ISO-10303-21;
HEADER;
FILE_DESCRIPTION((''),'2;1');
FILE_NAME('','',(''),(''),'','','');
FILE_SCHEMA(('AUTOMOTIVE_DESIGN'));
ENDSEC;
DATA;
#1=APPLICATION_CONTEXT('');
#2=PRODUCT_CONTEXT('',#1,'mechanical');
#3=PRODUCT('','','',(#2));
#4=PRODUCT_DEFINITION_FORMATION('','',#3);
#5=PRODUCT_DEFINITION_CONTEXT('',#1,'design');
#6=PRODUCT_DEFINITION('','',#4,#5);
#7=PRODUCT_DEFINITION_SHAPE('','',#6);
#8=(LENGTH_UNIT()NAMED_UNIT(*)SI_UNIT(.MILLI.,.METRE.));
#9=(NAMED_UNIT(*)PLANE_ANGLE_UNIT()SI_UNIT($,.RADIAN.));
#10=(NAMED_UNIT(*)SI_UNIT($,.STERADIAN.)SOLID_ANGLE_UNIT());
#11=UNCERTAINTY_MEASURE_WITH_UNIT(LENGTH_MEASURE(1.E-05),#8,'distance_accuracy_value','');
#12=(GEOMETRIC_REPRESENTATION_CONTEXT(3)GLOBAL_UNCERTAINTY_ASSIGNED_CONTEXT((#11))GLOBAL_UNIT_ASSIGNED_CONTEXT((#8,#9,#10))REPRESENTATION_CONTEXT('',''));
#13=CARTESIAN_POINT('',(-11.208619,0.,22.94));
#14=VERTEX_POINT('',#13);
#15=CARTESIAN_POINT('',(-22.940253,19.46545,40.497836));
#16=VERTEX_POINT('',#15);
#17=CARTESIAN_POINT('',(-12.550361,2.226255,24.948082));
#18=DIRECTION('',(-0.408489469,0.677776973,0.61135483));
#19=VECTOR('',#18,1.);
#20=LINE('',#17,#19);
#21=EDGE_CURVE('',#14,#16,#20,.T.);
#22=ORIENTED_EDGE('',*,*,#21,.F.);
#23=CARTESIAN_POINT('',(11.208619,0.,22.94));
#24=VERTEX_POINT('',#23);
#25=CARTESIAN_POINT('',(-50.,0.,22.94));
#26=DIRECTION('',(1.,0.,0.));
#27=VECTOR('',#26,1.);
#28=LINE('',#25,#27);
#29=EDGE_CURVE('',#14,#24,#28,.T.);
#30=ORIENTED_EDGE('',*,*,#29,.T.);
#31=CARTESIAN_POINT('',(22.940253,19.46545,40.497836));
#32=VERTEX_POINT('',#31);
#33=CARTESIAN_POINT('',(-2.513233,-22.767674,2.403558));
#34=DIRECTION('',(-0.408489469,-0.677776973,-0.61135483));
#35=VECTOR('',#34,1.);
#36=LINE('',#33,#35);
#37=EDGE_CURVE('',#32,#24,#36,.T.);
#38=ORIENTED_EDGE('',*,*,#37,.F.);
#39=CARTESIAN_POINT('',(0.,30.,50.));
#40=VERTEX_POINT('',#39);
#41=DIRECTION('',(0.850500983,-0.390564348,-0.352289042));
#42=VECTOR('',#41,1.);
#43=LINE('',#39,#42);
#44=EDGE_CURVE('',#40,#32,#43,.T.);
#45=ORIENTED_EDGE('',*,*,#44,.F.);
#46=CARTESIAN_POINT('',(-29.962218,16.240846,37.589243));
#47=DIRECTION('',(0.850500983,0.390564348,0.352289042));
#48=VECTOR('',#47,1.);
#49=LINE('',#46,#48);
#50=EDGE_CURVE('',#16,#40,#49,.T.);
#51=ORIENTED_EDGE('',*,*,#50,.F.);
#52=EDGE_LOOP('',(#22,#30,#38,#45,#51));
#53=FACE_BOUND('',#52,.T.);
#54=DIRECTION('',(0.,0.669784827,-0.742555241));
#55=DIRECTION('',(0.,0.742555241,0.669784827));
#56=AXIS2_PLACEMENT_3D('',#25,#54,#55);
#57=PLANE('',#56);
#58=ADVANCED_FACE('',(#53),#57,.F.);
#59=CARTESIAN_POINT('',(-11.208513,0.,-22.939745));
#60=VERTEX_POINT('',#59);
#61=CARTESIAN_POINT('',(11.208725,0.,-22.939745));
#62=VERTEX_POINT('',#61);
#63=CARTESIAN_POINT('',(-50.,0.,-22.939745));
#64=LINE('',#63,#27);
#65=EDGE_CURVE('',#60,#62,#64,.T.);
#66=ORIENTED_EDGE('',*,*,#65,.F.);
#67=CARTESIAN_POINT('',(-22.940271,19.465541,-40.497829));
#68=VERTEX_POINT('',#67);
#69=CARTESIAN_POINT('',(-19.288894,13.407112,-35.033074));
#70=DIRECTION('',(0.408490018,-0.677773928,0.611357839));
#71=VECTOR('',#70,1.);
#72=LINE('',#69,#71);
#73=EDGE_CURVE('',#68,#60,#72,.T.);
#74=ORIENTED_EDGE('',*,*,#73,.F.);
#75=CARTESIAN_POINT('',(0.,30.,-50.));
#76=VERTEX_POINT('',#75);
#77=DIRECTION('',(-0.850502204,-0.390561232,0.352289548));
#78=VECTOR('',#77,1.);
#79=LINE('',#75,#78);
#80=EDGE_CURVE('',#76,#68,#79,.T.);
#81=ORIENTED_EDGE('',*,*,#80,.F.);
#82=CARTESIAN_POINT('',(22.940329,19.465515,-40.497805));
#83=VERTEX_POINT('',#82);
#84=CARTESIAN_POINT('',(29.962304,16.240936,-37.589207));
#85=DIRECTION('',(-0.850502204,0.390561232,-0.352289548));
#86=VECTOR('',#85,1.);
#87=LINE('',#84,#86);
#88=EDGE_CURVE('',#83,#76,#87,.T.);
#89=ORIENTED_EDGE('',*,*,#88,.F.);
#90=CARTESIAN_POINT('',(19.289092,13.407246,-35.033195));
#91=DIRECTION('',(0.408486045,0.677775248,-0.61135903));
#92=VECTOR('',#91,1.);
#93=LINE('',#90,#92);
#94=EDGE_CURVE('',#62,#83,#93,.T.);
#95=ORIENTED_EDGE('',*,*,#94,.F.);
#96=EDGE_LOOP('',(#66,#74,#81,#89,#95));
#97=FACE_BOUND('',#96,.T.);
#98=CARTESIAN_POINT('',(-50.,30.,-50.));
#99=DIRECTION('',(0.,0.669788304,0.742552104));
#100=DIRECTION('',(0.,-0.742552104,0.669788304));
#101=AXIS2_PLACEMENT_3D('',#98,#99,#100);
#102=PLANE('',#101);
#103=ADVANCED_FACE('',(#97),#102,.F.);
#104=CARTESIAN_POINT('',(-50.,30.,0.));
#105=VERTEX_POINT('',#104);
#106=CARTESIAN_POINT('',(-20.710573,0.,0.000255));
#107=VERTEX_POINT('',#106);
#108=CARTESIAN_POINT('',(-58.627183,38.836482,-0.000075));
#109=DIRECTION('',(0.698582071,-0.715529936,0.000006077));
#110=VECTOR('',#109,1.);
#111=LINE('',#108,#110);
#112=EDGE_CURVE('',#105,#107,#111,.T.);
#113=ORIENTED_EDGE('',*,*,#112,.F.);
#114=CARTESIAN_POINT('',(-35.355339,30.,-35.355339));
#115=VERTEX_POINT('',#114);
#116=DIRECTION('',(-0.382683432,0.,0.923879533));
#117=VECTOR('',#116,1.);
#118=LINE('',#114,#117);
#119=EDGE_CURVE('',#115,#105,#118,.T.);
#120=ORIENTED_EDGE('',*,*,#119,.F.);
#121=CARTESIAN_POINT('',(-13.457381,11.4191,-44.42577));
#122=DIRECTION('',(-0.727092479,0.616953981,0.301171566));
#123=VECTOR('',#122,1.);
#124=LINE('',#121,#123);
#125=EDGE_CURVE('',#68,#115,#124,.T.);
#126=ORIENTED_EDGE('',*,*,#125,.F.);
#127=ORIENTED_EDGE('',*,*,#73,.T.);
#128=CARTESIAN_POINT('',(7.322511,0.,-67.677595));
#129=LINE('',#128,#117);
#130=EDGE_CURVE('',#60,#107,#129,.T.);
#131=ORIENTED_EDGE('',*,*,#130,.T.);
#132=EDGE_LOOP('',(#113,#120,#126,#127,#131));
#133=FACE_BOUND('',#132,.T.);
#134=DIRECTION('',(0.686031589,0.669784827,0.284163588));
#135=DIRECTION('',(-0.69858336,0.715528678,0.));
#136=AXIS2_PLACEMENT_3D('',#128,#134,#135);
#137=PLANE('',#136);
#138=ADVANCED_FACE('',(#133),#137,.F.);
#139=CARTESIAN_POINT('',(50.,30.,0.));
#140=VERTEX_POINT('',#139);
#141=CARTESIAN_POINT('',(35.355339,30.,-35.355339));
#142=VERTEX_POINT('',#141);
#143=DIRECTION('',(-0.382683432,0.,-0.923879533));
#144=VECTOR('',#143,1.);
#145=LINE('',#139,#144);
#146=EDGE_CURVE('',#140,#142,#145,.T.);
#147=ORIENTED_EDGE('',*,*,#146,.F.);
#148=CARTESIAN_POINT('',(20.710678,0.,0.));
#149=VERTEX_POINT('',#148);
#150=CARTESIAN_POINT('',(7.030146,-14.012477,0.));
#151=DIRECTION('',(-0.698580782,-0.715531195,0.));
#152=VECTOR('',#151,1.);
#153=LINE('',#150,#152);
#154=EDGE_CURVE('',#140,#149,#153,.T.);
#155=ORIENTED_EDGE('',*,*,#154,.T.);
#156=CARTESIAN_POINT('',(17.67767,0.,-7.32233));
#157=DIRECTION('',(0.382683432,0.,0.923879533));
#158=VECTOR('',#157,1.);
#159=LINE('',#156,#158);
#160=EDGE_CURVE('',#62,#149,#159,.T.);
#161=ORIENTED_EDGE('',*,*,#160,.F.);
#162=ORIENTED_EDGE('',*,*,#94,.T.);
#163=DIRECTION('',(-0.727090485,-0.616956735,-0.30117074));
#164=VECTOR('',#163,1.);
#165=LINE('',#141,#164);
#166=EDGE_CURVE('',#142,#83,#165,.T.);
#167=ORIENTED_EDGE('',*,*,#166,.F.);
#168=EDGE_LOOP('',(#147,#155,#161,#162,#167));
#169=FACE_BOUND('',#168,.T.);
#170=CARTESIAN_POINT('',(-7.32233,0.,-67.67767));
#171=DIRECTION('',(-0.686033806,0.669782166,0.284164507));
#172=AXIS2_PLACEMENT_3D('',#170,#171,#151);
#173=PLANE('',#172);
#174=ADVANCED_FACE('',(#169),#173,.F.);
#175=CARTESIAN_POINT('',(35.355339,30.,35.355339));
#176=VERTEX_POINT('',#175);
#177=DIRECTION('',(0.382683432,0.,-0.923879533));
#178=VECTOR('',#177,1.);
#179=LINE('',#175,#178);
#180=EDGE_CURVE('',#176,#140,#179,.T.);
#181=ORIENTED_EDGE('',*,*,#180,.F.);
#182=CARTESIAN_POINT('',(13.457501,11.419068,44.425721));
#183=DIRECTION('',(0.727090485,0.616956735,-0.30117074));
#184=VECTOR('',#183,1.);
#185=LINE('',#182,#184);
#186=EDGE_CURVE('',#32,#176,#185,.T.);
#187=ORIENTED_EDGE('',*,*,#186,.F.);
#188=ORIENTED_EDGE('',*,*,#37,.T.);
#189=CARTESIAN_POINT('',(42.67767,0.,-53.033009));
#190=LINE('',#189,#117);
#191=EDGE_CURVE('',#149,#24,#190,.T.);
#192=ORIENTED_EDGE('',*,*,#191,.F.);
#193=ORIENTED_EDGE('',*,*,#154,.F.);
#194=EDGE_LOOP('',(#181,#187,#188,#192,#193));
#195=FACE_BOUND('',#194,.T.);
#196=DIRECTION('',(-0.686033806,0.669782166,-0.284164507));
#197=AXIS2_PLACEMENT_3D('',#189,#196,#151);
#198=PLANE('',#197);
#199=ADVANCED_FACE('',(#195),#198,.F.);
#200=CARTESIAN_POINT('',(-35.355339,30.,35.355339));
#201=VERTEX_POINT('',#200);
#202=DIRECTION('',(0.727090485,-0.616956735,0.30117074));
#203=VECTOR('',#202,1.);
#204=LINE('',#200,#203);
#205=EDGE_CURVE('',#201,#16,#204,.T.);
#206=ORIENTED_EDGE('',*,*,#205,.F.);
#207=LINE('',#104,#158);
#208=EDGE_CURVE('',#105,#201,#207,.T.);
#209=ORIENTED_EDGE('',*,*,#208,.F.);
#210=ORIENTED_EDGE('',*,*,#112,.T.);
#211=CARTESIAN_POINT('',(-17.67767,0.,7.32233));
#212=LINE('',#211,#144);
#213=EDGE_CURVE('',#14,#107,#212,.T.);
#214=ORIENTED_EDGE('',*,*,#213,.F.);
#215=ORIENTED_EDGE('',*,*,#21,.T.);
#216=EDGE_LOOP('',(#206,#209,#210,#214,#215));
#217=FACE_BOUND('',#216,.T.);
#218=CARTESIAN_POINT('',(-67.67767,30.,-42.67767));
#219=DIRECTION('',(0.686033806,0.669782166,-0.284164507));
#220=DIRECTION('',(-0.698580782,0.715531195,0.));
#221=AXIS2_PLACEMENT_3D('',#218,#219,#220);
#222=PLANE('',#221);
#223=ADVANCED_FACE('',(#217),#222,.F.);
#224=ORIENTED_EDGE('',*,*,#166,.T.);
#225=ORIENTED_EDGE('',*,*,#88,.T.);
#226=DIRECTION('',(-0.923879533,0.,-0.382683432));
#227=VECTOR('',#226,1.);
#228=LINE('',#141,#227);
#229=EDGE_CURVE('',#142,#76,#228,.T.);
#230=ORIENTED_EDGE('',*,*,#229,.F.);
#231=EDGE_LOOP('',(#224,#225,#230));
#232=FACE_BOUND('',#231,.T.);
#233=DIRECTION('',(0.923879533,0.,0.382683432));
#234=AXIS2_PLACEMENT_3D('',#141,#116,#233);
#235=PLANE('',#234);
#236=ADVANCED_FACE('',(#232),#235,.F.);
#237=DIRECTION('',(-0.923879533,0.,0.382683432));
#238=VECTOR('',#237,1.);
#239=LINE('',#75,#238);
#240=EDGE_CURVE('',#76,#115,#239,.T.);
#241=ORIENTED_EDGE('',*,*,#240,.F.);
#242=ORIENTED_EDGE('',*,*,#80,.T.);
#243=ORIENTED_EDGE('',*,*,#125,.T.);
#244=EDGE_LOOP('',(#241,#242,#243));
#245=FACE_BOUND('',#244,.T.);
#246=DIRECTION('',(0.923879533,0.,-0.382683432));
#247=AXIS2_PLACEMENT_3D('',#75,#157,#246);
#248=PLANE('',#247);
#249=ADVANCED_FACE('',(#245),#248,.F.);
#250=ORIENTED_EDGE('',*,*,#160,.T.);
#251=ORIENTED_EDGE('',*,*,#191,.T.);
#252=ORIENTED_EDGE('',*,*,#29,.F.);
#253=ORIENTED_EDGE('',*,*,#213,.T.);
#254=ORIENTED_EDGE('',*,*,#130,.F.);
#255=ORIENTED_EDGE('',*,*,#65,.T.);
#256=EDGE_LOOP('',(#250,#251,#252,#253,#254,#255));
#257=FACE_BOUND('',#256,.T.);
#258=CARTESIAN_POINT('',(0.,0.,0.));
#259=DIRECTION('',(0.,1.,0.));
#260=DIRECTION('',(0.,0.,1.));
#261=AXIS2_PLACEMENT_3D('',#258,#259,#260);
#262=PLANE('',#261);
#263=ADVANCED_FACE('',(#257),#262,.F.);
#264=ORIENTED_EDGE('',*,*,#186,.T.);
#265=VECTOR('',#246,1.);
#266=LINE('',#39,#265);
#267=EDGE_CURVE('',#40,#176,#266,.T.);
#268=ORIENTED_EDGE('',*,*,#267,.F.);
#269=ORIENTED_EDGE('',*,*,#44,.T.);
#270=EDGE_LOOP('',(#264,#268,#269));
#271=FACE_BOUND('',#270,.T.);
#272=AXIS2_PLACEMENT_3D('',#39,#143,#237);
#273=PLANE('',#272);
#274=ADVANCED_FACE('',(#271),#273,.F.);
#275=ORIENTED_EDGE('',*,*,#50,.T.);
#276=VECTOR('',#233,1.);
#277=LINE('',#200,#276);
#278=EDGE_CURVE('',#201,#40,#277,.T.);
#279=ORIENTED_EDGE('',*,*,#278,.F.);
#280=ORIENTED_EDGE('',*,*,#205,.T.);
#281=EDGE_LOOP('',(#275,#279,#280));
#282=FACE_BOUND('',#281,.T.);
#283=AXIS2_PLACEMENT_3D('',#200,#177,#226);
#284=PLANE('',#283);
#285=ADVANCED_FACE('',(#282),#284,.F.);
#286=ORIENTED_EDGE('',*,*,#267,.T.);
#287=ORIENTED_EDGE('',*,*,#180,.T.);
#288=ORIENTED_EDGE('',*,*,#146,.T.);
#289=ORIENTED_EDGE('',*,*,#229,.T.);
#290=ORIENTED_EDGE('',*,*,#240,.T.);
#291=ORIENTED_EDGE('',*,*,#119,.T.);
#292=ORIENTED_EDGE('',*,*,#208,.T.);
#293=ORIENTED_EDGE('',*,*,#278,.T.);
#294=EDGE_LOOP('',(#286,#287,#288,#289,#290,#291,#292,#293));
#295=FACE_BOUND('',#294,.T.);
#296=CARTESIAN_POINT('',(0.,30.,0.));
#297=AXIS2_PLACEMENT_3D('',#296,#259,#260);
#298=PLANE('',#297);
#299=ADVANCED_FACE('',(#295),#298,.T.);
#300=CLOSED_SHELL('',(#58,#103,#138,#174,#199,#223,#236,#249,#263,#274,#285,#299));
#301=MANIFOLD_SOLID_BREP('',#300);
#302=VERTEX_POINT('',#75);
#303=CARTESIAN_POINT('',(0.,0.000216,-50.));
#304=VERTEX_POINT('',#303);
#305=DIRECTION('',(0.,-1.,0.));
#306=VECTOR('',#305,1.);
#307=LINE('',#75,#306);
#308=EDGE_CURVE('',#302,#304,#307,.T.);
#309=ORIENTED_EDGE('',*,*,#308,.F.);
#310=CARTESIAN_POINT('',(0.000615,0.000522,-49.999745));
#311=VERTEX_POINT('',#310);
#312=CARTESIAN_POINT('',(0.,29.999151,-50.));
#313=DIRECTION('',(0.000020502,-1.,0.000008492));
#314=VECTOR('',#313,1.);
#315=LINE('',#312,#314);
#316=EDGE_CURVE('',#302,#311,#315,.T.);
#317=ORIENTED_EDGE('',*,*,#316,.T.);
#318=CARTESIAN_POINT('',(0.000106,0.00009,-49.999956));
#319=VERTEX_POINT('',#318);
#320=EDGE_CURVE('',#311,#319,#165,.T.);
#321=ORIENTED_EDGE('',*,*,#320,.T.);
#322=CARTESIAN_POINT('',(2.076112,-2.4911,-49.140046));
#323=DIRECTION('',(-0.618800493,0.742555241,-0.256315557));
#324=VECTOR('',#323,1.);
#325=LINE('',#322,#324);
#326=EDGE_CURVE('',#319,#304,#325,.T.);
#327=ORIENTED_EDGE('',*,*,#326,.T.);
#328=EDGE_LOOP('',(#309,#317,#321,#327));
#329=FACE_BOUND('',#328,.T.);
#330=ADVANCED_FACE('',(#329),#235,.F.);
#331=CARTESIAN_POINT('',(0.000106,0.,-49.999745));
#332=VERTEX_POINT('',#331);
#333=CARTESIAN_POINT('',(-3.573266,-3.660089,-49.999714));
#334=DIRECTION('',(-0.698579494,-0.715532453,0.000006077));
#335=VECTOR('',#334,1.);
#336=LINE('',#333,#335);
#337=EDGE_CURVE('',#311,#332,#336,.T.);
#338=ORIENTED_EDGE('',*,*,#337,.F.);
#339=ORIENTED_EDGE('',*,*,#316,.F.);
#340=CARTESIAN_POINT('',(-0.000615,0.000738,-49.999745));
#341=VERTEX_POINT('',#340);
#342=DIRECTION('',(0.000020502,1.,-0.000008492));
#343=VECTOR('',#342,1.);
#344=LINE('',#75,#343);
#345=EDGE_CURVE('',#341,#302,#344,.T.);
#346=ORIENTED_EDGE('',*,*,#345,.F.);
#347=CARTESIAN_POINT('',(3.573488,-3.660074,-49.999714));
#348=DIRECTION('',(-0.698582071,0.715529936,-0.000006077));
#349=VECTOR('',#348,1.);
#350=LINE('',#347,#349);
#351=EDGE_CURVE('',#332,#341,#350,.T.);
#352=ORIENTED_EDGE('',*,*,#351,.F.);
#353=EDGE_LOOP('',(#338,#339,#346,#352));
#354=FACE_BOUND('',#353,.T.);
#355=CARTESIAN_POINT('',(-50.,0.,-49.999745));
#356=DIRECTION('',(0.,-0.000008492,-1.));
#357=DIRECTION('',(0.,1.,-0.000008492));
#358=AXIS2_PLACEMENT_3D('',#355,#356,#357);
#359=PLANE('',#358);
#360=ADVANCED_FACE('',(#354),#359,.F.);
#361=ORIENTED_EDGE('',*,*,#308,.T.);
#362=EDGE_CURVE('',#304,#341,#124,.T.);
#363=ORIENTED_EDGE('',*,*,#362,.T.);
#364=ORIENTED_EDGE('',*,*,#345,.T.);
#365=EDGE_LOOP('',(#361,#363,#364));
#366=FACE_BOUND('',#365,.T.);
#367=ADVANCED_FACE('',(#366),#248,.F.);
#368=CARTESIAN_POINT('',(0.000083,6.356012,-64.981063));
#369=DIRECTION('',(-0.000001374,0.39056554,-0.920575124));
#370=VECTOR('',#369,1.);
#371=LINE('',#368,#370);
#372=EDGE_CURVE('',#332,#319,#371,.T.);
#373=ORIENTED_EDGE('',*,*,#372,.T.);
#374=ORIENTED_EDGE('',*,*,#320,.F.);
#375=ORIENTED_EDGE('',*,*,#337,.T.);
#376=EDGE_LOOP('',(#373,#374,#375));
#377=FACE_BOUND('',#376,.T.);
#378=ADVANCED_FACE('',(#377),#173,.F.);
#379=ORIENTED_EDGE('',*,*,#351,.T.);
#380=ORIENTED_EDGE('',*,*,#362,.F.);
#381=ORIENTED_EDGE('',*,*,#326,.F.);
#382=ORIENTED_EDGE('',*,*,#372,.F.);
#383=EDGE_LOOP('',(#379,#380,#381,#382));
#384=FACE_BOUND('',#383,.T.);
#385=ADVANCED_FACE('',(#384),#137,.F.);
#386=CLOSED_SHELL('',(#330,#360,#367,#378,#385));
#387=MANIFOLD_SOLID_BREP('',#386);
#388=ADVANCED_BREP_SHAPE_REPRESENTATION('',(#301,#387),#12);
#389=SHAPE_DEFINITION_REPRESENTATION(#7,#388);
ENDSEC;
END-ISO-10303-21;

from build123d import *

# Parameters (mm, degrees)
AUFSATZ_LINEAR_AUSTRAGEN1_DEPTH      = 30
SCHNITT_LINEAR_AUSTRAGEN1_DEPTH      = 129.06193767
SCHNITT_LINEAR_AUSTRAGEN2_DEPTH      = 129.06193767
SCHNITT_LINEAR_AUSTRAGEN3_DEPTH      = 77.811457479
SCHNITT_LINEAR_AUSTRAGEN3_DEPTH_BACK = 77.811457479


with BuildPart() as part:
    # Skizze1 → Aufsatz-Linear austragen1 (new body)
    with BuildSketch(Plane(origin=(0, 0, 0), x_dir=(1, 0, 0), z_dir=(0, 1, 0))):
        Polygon((35.355339059, -35.355339059), (50, 0), (35.355339059, 35.355339059), (0, 50), (-35.355339059, 35.355339059), (-50, 0), (-35.355339059, -35.355339059), (0, -50), align=None)
    extrude(amount=AUFSATZ_LINEAR_AUSTRAGEN1_DEPTH)

    # Skizze2 → Schnitt-Linear austragen1 (cut, through all)
    with BuildSketch(Plane(origin=(21.504503853, 0, 51.916464855), x_dir=(0.9238795325112895, 0, -0.3826834323650833), z_dir=(0.3826834323650833, 0, 0.9238795325112895))):
        Polygon((-46.193976626, 30), (-19.134171618, 0), (-46.193976626, 0), align=None)
        Polygon((46.193976626, 30), (46.193976626, 0), (19.134171618, 0), align=None)
    extrude(amount=-SCHNITT_LINEAR_AUSTRAGEN1_DEPTH, mode=Mode.SUBTRACT)

    # Skizze3 → Schnitt-Linear austragen2 (cut, through all)
    with BuildSketch(Plane(origin=(-21.504503853, 0, 51.916464855), x_dir=(0.9238795325112874, 0, 0.38268343236508817), z_dir=(-0.38268343236508817, 0, 0.9238795325112874))):
        Polygon((19.134171618, 0), (46.193976626, 30), (46.193976626, 0), align=None)
        Polygon((-46.193976626, 30), (-46.193976626, 0), (-19.133976626, 0), align=None)
    extrude(amount=-SCHNITT_LINEAR_AUSTRAGEN2_DEPTH, mode=Mode.SUBTRACT)

    # Skizze4 → Schnitt-Linear austragen3 (cut, two sides: drawn at the far end of the back side and taken through both)
    with BuildSketch(Plane(origin=(0, 0, 0), x_dir=(0, 0, -1), z_dir=(1, 0, 0)).offset(-SCHNITT_LINEAR_AUSTRAGEN3_DEPTH_BACK)):
        Polygon((-50, 30), (-50, 0), (-22.94, 0), align=None)
        Polygon((22.93974523, 0), (49.99974523, 0), (50, 30), align=None)
    extrude(amount=SCHNITT_LINEAR_AUSTRAGEN3_DEPTH + SCHNITT_LINEAR_AUSTRAGEN3_DEPTH_BACK, mode=Mode.SUBTRACT)


with BuildPart() as schnitt_linear_austragen3_piece_1:
    # of the separate pieces the step leaves, piece 1, a body of its own (schnitt_linear_austragen3_pieces)
    add(part.part.solids().sort_by_distance((35.355339059, 30, 35.355339059))[0])


with BuildPart() as schnitt_linear_austragen3_piece_2:
    # of the separate pieces the step leaves, piece 2, a body of its own (schnitt_linear_austragen3_pieces)
    add(part.part.solids().sort_by_distance((0.000105529, 8.9544e-05, -49.999956288))[0])


solid = Compound([schnitt_linear_austragen3_piece_1.part, schnitt_linear_austragen3_piece_2.part])
